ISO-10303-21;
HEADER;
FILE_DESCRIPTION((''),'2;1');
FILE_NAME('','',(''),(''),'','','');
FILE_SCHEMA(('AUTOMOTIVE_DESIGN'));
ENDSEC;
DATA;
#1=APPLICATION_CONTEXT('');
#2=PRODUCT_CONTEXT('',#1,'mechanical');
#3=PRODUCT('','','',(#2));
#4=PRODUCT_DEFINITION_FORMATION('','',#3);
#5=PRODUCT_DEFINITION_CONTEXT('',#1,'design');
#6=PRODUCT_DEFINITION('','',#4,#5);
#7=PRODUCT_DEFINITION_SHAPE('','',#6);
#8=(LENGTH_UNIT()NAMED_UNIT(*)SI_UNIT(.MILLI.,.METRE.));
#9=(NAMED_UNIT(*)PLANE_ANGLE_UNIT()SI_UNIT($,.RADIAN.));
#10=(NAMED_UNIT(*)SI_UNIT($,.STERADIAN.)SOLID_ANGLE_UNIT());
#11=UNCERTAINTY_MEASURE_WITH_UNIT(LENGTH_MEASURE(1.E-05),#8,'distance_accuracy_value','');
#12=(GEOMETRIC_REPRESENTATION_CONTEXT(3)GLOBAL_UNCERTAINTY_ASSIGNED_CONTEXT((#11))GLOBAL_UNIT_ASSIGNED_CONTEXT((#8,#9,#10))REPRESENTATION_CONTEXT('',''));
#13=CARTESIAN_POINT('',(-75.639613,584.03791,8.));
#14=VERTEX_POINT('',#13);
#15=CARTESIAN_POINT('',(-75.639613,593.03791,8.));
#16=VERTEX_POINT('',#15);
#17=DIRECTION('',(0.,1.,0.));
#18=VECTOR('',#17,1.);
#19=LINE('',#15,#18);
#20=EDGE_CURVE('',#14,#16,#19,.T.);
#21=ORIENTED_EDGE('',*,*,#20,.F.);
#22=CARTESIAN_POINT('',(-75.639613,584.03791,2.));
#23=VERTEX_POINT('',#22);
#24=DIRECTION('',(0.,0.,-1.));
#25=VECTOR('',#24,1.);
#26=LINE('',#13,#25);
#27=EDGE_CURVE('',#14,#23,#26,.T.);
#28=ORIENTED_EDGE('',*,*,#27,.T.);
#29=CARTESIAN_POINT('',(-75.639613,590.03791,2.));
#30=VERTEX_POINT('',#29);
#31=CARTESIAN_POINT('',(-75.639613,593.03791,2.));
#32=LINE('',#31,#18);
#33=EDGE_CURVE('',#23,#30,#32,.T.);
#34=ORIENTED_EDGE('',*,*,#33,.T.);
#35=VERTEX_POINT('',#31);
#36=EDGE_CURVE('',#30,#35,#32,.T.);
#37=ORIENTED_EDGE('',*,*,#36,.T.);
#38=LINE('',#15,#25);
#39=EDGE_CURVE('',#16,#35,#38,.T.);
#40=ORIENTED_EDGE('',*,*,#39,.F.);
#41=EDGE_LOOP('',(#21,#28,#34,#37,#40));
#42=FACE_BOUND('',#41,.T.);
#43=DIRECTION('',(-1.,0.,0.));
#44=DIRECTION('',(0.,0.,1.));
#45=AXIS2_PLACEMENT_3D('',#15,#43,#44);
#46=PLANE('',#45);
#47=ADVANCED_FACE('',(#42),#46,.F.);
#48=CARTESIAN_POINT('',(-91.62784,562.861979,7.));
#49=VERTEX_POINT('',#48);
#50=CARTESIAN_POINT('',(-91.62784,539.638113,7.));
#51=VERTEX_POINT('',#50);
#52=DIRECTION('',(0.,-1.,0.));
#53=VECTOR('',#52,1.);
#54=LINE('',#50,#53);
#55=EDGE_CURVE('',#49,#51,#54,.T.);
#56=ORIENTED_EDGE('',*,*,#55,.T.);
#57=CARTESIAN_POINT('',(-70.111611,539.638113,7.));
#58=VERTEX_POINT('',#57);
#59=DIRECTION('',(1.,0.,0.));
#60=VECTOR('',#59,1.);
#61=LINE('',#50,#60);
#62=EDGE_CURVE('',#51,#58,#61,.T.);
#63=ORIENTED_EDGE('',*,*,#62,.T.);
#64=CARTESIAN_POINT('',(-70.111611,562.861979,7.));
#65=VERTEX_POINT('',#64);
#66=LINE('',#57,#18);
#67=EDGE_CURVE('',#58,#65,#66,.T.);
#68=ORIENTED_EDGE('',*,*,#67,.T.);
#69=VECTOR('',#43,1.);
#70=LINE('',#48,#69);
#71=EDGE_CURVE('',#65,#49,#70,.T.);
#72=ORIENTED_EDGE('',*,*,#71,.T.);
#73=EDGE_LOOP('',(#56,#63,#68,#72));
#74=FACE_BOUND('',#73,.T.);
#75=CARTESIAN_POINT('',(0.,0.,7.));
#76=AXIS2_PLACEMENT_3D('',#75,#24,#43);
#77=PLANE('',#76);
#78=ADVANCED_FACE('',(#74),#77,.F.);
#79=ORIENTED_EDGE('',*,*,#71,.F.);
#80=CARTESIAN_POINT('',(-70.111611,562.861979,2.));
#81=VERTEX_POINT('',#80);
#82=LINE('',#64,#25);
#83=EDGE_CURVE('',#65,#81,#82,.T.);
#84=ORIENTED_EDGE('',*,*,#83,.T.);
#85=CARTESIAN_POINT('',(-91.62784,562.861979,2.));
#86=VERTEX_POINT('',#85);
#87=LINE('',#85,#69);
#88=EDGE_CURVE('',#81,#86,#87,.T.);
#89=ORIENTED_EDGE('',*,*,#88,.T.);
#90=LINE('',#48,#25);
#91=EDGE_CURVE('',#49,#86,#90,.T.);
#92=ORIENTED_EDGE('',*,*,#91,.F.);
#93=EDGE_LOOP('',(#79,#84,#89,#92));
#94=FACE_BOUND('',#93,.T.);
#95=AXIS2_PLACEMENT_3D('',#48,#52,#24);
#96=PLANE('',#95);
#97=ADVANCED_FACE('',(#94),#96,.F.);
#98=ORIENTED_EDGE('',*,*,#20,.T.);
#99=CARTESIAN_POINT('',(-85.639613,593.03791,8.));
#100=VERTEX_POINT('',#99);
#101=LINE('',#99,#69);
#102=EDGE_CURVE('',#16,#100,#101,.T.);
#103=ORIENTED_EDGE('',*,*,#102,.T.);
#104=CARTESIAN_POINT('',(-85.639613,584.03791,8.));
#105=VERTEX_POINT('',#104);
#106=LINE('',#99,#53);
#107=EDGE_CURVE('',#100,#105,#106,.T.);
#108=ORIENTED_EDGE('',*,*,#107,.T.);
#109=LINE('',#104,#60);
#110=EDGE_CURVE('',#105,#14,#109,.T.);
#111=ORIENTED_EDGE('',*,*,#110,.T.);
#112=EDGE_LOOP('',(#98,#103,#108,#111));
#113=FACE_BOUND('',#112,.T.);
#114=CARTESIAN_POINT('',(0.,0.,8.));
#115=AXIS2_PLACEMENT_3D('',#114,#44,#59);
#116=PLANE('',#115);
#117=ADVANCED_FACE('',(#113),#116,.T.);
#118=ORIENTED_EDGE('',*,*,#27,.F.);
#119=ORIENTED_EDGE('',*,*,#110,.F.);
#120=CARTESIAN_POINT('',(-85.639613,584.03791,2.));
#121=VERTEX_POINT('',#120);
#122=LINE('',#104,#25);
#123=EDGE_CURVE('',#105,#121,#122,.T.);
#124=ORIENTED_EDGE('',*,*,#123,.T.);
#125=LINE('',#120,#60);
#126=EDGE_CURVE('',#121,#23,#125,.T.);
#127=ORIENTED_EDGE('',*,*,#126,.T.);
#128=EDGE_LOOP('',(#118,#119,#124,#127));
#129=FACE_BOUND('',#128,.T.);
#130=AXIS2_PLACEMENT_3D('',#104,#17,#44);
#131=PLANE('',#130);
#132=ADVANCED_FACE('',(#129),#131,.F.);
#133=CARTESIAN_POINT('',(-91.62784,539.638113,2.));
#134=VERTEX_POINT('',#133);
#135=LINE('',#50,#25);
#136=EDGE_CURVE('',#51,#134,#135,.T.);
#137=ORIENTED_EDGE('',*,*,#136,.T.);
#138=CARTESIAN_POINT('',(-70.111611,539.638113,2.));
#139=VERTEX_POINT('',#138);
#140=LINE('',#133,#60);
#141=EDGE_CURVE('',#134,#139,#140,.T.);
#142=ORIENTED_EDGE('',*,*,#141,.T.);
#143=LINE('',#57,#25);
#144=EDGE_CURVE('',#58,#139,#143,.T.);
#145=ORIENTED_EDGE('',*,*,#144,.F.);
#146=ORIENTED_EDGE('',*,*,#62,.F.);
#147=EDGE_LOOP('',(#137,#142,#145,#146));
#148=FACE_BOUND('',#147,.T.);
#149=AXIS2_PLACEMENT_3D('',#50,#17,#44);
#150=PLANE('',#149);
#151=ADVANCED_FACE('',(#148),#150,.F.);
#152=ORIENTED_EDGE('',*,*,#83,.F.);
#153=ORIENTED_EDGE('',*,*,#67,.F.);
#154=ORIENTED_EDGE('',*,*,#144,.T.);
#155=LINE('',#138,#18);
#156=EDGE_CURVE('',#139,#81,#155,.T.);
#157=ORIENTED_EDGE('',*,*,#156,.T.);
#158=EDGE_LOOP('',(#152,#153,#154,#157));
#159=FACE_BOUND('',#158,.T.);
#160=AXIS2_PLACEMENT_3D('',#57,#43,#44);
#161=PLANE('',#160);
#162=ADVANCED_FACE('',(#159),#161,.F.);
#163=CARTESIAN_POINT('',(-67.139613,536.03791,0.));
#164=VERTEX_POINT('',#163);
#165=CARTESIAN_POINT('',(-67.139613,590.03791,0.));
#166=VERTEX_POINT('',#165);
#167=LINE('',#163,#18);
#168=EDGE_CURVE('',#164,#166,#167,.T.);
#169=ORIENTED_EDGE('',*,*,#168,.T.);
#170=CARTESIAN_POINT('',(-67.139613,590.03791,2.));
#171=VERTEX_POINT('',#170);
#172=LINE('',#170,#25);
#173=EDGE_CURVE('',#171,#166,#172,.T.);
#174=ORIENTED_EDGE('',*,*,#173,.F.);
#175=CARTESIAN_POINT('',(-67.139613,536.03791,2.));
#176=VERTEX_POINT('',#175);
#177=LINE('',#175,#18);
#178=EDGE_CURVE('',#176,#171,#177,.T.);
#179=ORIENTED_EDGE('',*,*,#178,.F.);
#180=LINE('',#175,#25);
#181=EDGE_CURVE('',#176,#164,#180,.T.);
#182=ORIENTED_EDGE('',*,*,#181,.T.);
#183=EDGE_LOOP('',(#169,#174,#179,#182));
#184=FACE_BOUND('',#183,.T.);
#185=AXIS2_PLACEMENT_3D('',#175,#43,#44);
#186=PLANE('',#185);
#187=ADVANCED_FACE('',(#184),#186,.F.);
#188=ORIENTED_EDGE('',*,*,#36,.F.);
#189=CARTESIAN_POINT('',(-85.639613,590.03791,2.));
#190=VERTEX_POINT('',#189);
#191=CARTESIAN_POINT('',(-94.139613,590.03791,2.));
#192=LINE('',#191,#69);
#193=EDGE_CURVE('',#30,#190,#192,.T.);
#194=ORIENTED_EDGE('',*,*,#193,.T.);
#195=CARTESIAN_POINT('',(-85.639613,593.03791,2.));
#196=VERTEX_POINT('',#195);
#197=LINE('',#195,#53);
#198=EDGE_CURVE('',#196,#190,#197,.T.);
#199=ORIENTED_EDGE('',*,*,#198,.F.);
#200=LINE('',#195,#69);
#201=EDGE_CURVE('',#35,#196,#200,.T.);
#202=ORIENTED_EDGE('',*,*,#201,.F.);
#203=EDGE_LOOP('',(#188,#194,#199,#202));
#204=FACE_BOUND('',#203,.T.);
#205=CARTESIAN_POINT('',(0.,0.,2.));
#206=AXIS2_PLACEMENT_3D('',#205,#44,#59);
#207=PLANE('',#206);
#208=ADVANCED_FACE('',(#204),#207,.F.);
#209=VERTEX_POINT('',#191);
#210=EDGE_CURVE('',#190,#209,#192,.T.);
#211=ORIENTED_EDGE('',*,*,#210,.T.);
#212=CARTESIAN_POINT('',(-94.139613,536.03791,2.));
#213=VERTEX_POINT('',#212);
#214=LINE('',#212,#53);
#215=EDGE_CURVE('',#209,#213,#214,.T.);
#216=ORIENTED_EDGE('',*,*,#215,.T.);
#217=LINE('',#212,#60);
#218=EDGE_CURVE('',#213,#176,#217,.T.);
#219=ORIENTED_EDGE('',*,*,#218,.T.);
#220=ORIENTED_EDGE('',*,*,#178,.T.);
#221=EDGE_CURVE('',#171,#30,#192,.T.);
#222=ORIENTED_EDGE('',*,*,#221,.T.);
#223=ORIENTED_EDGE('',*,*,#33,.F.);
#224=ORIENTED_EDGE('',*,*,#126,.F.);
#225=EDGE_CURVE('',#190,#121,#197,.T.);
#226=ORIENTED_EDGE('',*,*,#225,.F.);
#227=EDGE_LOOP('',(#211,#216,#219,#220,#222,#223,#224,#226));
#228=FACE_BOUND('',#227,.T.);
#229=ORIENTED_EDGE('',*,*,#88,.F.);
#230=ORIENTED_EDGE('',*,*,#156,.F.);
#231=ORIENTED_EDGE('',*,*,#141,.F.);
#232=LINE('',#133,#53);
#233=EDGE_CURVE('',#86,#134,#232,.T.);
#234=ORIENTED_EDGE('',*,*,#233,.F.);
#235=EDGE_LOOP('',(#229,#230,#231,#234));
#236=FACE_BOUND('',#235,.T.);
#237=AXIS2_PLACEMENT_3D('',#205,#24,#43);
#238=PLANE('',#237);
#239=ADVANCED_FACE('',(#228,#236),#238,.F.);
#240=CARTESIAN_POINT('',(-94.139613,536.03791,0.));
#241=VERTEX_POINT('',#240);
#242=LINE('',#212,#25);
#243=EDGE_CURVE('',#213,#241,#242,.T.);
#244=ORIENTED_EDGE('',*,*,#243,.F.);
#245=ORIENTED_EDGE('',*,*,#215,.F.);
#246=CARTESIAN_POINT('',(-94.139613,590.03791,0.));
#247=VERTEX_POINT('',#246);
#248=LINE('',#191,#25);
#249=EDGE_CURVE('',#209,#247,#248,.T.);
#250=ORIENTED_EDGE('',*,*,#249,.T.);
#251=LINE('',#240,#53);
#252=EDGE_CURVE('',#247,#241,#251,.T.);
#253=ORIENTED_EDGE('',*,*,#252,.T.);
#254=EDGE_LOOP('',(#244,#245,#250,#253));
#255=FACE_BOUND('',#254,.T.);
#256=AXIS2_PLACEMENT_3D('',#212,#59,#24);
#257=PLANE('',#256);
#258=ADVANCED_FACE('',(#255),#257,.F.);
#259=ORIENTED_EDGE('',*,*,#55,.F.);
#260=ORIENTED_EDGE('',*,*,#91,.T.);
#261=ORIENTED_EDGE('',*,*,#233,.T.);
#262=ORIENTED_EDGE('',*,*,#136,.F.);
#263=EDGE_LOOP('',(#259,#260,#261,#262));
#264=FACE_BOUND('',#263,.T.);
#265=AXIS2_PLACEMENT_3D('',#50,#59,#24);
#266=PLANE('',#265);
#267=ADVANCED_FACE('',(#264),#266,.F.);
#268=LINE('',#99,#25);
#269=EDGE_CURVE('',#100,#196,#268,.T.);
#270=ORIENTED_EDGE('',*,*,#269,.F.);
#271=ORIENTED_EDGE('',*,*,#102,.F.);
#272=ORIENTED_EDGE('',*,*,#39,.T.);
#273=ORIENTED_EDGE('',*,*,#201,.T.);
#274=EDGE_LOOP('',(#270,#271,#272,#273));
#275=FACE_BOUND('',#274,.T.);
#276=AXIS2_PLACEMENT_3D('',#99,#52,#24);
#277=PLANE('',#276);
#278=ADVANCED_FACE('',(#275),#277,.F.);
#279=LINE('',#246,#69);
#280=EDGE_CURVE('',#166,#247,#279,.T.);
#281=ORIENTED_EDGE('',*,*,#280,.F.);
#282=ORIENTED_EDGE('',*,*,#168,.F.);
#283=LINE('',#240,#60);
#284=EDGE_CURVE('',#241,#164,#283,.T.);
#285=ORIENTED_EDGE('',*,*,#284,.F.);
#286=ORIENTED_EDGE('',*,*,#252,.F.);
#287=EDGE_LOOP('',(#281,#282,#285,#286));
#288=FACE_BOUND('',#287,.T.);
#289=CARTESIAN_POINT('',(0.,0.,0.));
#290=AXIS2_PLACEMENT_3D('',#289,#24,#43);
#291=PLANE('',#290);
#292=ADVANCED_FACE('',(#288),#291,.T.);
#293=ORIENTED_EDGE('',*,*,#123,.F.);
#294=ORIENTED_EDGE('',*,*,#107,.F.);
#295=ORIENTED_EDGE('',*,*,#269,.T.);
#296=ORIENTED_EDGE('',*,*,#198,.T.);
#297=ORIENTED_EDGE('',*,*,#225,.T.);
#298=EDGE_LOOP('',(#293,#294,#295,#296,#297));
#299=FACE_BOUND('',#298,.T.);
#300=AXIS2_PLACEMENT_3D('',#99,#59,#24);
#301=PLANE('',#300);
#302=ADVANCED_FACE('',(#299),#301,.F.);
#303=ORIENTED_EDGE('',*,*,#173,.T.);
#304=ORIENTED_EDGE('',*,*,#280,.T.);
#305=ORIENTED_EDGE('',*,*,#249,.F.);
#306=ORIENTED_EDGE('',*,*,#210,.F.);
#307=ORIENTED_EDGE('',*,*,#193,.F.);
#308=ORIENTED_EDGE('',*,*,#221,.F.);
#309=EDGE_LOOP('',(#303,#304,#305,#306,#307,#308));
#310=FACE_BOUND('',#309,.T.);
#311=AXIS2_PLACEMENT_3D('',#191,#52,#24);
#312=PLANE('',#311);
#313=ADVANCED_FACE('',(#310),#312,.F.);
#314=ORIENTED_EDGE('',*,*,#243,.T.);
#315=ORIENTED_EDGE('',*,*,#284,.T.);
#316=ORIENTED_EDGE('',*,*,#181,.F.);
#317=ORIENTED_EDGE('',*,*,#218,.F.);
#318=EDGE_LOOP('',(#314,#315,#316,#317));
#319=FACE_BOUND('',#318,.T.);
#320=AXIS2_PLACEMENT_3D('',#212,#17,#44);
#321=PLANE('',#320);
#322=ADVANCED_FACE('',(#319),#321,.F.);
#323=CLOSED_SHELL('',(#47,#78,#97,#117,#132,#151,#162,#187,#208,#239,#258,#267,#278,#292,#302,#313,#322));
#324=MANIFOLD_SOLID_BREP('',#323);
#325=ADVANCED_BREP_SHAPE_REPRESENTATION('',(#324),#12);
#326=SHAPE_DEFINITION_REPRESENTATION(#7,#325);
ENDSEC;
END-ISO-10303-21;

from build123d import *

# Parameters (mm, degrees)
SKETCH1_W           = 27
SKETCH1_H           = 54
BOSS_EXTRUDE1_DEPTH = 2
SKETCH2_W           = 21.516228829
SKETCH2_H           = 23.223866036
BOSS_EXTRUDE2_DEPTH = 5
SKETCH3_W           = 10
SKETCH3_H           = 9
BOSS_EXTRUDE3_DEPTH = 6


with BuildPart() as part:
    # Sketch1 → Boss-Extrude1 (new body)
    with BuildSketch(Plane.XY):
        with Locations((-80.639613313, 563.037909552)):
            Rectangle(SKETCH1_W, SKETCH1_H)
    extrude(amount=BOSS_EXTRUDE1_DEPTH)

    # Sketch2 → Boss-Extrude2 (add)
    with BuildSketch(Plane.XY.offset(2)):
        with Locations((-80.869725333, 551.250045653)):
            Rectangle(SKETCH2_W, SKETCH2_H)
    extrude(amount=BOSS_EXTRUDE2_DEPTH)

    # Sketch3 → Boss-Extrude3 (add)
    with BuildSketch(Plane.XY.offset(2)):
        with Locations((-80.639613313, 588.537909552)):
            Rectangle(SKETCH3_W, SKETCH3_H)
    extrude(amount=BOSS_EXTRUDE3_DEPTH)


solid = part.part
